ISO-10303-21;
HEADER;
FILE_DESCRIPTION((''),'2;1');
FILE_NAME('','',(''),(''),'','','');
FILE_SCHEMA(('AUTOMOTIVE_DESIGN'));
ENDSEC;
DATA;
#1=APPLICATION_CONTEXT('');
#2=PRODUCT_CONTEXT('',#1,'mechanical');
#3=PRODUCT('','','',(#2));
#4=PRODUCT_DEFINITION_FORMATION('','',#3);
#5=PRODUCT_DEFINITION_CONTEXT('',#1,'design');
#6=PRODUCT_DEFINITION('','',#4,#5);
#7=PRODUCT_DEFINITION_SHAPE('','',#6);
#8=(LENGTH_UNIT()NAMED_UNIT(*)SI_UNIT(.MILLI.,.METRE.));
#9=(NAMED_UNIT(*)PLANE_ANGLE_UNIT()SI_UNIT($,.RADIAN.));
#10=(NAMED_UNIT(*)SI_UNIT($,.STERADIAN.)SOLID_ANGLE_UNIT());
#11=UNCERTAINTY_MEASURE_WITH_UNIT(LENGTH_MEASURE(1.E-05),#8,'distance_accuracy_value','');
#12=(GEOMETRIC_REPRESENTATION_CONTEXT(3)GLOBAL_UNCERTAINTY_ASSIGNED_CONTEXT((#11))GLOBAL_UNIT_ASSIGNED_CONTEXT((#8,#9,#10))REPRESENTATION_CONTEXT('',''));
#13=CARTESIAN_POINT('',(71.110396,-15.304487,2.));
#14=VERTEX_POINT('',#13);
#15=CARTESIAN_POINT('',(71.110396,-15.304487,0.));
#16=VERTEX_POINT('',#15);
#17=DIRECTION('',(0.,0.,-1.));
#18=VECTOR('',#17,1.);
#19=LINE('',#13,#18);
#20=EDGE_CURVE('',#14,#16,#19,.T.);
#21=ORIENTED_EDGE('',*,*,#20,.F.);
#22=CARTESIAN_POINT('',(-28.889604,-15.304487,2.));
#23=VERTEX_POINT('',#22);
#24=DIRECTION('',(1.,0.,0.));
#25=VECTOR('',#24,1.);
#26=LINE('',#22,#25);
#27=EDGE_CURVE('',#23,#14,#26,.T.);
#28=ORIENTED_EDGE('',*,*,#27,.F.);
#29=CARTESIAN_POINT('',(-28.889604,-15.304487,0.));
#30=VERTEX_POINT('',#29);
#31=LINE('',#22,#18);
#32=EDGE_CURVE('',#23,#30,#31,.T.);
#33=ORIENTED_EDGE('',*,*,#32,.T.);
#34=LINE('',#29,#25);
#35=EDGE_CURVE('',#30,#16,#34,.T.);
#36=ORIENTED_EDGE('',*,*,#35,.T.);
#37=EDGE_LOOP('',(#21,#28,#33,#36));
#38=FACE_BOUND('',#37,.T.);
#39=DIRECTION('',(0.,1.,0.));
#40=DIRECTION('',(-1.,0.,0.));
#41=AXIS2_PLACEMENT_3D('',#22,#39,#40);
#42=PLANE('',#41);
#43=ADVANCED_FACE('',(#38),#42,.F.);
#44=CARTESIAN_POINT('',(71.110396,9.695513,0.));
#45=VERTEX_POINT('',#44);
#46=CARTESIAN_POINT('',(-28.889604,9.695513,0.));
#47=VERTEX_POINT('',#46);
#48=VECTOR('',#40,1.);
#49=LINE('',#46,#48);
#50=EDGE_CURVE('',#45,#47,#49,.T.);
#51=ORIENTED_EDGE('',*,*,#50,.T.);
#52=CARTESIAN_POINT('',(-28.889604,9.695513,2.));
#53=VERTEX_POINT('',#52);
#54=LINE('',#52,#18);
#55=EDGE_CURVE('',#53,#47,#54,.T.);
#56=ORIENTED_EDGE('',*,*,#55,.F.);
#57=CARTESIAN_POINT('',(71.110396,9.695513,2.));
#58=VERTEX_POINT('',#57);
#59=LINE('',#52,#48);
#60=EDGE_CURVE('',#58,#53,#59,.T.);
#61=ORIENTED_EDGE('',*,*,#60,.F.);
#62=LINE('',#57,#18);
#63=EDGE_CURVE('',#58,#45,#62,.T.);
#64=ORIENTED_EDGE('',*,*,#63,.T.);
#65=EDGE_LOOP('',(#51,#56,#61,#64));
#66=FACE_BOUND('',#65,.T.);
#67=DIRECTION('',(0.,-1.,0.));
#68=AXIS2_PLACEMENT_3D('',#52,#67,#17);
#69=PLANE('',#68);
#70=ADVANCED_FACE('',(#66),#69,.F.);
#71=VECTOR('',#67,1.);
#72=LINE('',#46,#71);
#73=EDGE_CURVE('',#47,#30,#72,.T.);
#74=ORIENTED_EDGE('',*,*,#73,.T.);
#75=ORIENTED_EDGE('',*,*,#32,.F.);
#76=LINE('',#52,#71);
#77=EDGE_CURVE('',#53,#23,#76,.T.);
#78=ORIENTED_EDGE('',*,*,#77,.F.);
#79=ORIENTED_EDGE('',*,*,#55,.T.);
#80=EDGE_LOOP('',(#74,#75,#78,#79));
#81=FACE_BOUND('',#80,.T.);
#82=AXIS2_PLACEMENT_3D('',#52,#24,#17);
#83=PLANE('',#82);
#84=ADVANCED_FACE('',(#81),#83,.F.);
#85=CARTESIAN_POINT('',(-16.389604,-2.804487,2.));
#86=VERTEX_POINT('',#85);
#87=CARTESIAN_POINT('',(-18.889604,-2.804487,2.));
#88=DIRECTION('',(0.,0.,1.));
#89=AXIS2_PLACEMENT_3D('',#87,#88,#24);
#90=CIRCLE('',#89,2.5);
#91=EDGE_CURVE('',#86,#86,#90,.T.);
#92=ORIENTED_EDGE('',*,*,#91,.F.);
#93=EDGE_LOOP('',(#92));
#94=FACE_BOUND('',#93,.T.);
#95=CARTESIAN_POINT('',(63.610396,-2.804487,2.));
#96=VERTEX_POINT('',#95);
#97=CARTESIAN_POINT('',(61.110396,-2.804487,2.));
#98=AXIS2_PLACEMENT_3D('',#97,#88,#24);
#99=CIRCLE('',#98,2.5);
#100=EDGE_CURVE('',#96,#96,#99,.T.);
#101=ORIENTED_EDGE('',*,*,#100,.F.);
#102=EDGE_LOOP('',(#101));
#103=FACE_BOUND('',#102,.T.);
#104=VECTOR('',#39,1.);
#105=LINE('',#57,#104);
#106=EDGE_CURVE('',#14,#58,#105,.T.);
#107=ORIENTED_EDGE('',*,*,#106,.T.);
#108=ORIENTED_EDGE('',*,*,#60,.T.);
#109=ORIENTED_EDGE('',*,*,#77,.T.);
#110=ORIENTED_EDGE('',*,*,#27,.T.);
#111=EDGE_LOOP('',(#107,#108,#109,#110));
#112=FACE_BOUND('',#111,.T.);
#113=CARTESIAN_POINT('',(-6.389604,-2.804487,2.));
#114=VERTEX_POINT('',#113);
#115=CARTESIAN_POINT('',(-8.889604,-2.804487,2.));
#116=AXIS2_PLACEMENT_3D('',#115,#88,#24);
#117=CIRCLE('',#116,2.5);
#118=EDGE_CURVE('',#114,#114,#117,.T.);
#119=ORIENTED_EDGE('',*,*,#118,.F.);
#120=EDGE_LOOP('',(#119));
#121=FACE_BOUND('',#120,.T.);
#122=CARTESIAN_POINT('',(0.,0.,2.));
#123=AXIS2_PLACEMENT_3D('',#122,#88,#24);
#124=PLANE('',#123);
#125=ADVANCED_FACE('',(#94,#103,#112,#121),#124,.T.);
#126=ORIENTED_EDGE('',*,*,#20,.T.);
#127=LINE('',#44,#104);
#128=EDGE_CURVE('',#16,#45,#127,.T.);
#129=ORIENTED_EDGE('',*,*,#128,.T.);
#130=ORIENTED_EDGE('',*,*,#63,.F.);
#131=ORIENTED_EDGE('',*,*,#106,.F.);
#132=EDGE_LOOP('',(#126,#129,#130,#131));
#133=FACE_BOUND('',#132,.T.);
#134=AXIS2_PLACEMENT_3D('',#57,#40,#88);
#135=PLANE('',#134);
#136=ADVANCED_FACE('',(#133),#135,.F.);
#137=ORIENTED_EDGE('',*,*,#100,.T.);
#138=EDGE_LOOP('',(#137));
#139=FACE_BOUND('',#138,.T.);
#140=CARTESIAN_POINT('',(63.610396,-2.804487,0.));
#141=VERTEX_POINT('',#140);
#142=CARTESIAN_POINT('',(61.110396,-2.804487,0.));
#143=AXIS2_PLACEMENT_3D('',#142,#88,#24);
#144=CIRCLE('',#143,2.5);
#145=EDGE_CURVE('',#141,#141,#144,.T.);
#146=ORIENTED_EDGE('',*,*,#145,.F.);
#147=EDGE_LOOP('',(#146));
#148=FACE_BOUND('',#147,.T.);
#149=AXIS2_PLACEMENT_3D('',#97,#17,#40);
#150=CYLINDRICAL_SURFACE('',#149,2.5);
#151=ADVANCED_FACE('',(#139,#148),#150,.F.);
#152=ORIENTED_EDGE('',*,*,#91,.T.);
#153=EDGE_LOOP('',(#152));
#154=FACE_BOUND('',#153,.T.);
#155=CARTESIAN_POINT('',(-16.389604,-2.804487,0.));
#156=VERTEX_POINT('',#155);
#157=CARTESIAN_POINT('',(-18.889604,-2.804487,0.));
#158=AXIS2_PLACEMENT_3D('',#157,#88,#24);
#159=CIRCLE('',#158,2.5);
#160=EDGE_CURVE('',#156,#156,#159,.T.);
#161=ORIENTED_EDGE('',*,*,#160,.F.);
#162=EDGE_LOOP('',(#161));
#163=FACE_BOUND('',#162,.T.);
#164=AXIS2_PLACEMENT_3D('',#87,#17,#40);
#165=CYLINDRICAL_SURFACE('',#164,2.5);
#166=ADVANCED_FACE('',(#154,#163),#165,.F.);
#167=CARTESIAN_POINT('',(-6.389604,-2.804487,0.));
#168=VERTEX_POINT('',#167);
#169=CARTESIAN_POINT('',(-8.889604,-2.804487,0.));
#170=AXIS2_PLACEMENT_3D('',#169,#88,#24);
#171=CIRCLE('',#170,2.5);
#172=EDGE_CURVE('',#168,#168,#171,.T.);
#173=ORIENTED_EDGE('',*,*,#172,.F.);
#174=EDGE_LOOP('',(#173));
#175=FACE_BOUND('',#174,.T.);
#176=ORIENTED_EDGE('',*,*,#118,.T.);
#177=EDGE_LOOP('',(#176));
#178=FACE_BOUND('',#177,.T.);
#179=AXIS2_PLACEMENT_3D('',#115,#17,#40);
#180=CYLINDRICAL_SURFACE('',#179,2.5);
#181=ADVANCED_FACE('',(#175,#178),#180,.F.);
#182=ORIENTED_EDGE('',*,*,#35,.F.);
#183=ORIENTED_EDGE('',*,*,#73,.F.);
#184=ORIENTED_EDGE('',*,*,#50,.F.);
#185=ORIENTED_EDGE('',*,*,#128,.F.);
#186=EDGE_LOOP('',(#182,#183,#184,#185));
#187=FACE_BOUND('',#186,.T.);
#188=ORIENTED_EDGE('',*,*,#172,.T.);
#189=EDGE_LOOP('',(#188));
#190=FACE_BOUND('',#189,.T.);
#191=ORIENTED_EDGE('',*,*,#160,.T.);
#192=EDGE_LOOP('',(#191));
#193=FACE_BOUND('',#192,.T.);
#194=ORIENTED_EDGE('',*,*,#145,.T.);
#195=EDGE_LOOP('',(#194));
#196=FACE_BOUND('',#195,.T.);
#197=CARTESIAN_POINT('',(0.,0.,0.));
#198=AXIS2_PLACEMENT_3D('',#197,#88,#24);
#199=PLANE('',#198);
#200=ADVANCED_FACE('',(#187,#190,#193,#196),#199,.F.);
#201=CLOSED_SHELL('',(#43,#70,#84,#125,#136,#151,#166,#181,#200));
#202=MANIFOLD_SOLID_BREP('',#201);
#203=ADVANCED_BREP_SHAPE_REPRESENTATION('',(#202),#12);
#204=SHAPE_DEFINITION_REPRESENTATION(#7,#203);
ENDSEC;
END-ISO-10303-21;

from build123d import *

# Parameters (mm, degrees)
ESBO_O1_W                = 100
ESBO_O1_H                = 25
ESBO_O1_R                = 2.5
RESSALTO_EXTRUS_O1_DEPTH = 2


with BuildPart() as part:
    # Esboço1 → Ressalto-extrusão1 (new body)
    with BuildSketch(Plane.XY):
        with Locations((21.110395733, -2.804487179)):
            Rectangle(ESBO_O1_W, ESBO_O1_H)
        with Locations((-18.889604267, -2.804487179)):
            Circle(ESBO_O1_R, mode=Mode.SUBTRACT)
        with Locations((-8.889604267, -2.804487179)):
            Circle(ESBO_O1_R, mode=Mode.SUBTRACT)
        with Locations((61.110395733, -2.804487179)):
            Circle(ESBO_O1_R, mode=Mode.SUBTRACT)
    extrude(amount=RESSALTO_EXTRUS_O1_DEPTH)


solid = part.part
